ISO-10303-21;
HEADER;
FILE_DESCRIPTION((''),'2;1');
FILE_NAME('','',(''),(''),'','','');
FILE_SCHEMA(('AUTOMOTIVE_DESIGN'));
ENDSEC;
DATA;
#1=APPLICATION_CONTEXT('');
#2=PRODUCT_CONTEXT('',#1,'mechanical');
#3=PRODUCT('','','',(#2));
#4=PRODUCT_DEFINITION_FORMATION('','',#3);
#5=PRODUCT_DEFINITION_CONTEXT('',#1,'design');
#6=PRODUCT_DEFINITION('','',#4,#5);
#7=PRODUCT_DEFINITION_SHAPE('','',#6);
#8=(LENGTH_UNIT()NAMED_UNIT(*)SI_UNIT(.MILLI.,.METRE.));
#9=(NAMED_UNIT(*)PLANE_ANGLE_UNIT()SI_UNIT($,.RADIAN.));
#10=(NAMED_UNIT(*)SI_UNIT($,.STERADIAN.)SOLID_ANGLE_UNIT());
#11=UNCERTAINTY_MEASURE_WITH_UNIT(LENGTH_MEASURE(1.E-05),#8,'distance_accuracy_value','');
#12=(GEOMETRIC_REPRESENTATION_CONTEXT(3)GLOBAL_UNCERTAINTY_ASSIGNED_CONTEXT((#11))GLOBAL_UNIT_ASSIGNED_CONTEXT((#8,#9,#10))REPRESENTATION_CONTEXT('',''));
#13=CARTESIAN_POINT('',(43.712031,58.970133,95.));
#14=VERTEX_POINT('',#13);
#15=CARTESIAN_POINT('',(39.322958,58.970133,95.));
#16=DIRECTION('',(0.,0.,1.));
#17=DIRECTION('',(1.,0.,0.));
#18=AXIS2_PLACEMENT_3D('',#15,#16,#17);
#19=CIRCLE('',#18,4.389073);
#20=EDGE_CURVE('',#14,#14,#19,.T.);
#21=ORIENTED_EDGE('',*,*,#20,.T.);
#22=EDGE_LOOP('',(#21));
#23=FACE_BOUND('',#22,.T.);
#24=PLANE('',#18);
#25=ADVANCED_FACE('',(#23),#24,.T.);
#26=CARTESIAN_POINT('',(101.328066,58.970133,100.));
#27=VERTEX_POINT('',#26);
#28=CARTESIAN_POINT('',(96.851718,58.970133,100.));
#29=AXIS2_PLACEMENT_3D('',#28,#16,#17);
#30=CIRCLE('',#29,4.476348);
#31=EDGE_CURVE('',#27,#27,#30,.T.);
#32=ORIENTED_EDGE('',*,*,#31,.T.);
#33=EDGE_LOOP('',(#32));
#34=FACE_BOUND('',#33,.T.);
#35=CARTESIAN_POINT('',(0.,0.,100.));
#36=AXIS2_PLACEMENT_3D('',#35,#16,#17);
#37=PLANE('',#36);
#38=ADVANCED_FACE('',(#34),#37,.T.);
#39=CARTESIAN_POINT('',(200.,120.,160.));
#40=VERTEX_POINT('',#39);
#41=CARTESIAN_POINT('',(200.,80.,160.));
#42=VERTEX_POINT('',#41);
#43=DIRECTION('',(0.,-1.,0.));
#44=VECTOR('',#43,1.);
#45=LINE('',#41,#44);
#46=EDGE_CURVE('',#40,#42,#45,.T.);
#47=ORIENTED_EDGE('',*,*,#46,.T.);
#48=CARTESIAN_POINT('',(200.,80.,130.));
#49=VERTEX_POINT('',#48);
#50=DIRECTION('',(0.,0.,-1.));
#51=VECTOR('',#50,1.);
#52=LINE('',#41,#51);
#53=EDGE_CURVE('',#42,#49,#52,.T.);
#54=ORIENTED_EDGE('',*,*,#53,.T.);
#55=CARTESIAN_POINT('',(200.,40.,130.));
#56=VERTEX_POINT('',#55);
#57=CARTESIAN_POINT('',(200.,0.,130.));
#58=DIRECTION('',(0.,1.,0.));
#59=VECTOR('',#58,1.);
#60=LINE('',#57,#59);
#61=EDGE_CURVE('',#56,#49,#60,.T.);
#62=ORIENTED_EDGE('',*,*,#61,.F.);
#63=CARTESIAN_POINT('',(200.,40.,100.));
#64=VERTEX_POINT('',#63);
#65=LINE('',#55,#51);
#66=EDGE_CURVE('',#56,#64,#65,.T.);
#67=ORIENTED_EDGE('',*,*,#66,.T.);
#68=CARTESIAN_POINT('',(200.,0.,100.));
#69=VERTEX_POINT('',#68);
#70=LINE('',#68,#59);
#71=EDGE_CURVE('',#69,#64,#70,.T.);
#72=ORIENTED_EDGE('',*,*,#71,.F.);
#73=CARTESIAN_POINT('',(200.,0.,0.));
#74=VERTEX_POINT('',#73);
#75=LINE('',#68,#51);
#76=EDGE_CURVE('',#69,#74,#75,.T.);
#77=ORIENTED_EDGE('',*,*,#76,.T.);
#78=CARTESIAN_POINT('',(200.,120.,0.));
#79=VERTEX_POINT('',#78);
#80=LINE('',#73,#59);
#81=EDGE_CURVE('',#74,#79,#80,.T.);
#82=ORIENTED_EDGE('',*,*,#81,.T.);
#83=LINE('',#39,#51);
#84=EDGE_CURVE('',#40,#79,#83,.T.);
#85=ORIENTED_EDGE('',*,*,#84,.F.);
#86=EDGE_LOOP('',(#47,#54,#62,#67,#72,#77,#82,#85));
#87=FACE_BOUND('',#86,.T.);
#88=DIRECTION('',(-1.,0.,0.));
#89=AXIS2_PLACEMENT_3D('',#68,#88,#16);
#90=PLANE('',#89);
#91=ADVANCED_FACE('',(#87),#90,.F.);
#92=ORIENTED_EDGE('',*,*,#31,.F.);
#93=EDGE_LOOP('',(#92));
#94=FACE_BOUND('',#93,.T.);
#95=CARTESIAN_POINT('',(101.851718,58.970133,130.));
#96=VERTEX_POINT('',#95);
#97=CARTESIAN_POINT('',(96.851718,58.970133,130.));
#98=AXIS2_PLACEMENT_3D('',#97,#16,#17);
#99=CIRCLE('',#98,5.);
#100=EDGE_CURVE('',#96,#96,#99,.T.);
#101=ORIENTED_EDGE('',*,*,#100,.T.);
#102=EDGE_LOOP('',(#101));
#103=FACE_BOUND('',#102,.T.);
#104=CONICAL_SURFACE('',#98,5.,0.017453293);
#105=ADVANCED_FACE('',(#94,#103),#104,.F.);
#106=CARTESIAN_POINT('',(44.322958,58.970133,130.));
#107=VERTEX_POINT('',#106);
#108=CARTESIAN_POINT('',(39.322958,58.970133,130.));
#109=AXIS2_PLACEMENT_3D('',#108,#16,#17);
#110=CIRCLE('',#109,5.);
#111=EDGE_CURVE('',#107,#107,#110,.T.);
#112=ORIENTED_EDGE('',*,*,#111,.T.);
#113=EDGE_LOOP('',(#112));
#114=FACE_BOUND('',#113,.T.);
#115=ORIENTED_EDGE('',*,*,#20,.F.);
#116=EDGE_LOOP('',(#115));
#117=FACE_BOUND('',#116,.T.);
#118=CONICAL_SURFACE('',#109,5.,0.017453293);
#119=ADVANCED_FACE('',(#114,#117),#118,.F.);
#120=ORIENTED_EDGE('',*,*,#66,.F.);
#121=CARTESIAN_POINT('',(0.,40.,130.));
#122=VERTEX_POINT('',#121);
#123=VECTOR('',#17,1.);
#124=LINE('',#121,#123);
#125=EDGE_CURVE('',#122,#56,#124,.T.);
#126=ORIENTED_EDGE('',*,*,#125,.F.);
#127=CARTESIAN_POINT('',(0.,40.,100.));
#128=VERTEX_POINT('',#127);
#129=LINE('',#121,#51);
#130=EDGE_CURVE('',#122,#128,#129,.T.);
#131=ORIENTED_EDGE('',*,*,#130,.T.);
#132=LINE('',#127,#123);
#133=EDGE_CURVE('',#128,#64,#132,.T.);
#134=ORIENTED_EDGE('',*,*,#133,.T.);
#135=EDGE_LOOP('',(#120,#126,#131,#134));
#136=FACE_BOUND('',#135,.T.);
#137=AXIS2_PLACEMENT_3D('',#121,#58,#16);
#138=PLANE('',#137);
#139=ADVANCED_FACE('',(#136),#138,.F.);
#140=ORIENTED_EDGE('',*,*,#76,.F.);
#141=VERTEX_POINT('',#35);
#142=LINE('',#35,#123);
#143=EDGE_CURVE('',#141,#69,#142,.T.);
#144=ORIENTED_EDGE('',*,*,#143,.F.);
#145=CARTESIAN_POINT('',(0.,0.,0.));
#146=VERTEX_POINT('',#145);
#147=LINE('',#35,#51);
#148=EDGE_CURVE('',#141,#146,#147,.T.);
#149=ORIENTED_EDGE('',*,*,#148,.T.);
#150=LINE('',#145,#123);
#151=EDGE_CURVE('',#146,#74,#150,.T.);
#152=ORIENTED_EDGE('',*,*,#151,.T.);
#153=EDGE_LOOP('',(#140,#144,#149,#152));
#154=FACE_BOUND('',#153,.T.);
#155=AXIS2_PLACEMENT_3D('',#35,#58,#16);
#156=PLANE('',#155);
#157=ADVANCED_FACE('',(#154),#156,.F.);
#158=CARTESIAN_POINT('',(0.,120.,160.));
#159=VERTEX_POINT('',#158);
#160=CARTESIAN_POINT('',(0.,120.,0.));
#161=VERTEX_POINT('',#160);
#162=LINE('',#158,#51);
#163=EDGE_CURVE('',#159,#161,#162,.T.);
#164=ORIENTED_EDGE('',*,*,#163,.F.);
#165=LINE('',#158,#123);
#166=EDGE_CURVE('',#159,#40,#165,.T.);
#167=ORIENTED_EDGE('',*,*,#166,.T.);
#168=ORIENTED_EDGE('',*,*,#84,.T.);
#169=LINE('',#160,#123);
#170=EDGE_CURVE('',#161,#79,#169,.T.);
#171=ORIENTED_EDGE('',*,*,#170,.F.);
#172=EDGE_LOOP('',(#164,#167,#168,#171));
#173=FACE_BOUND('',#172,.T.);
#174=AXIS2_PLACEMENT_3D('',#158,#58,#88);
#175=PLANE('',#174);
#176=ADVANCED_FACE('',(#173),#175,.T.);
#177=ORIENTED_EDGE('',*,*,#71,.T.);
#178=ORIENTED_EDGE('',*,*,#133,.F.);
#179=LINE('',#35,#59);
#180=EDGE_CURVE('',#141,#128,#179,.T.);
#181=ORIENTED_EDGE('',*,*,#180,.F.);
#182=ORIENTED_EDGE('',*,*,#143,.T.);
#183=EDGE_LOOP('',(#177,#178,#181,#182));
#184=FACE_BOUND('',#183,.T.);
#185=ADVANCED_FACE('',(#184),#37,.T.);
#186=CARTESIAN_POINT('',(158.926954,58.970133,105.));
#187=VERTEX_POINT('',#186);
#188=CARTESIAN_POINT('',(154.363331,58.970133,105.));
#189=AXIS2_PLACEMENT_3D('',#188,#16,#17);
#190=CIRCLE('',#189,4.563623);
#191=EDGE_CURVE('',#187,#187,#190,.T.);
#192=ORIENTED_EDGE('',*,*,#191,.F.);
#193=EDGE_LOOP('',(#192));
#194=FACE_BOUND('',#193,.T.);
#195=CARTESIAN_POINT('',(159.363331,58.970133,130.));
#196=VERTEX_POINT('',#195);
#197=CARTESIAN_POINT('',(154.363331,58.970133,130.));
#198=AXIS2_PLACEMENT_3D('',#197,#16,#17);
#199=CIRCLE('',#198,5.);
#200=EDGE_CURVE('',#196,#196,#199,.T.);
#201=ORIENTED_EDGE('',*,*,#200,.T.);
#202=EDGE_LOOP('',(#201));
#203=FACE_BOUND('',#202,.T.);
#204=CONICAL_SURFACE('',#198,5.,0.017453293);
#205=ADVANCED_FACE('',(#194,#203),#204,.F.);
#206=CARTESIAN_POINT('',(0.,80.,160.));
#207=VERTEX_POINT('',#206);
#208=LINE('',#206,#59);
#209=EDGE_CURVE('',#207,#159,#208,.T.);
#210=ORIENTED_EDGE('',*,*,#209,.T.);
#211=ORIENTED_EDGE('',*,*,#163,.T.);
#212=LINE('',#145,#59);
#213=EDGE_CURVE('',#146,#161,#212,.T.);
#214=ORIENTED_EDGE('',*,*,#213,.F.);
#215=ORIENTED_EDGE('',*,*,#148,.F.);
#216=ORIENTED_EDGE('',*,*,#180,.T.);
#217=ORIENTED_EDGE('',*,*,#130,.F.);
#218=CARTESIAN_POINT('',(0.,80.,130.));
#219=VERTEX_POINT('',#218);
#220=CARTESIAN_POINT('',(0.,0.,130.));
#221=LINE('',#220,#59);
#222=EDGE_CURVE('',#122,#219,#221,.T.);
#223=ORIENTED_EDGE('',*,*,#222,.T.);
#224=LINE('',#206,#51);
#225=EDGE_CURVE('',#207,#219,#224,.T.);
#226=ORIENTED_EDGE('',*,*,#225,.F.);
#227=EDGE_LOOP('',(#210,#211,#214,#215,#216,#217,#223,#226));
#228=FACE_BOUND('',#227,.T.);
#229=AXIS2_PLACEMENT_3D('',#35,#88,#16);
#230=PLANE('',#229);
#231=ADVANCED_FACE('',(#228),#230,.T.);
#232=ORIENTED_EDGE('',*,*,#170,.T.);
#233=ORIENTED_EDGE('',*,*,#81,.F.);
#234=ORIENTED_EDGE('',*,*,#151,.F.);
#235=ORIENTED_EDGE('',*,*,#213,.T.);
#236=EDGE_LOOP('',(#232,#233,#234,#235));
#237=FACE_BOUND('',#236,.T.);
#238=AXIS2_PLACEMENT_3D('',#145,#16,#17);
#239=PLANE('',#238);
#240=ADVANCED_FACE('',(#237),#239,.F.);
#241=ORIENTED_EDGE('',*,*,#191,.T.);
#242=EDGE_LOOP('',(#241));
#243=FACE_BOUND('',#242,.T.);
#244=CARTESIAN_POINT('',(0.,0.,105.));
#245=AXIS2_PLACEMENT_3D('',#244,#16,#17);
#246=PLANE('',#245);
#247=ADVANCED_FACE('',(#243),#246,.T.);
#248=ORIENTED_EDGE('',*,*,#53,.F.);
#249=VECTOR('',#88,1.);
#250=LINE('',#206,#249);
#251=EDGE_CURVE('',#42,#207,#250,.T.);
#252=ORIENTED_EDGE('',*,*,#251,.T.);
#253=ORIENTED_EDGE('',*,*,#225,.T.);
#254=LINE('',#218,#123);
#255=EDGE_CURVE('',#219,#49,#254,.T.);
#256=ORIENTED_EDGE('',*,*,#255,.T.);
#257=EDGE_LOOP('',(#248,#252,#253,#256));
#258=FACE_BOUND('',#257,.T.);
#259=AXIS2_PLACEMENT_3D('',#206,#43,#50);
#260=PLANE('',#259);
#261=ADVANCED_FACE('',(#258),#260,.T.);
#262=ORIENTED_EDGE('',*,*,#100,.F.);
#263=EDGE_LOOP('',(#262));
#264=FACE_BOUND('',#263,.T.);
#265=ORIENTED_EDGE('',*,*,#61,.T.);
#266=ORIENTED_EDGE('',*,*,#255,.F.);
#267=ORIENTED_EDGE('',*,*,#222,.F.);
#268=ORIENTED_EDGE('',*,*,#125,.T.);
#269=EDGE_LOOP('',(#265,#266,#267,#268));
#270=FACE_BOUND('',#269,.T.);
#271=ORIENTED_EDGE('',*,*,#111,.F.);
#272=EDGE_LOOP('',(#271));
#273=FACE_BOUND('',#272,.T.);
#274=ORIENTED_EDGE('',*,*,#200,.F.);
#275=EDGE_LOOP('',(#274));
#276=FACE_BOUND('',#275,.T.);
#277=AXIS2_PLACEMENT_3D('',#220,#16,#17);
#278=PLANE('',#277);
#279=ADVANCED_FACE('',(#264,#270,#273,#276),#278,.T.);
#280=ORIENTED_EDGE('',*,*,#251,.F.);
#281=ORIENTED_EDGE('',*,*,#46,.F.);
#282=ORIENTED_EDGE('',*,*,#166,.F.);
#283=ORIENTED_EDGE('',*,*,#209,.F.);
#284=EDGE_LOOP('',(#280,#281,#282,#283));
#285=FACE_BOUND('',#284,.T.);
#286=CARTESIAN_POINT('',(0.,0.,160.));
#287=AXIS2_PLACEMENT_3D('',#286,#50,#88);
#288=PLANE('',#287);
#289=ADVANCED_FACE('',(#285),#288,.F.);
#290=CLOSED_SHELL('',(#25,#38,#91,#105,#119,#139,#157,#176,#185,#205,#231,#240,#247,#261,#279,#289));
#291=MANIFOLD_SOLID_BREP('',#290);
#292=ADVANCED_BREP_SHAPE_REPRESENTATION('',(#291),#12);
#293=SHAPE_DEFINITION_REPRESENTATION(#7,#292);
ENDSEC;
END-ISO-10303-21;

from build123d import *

# Parameters (mm, degrees)
SKETCH_1_W          = 200
SKETCH_1_H          = 40
EXTRUDE_1_DEPTH     = 100
SKETCH_1_3_W        = 200
SKETCH_1_3_H        = 40
EXTRUDE_2_DEPTH     = 130
SKETCH_9_R          = 5
CUT_EXTRUDE_4_DEPTH = 35
CUT_EXTRUDE_4_DRAFT = -1
SKETCH_9_3_R        = 5
CUT_EXTRUDE_5_DEPTH = 25
CUT_EXTRUDE_5_DRAFT = -1
SKETCH_9_4_R        = 5
CUT_EXTRUDE_6_DEPTH = 30
CUT_EXTRUDE_6_DRAFT = -1
SKETCH_10_W         = 200
SKETCH_10_H         = 40
EXTRUDE_3_DEPTH     = 160


with BuildPart() as part:
    # Эскиз1 → Бобышка-Вытянуть1 (new body)
    with BuildSketch(Plane.XY):
        with Locations((100, 20)):
            Rectangle(SKETCH_1_W, SKETCH_1_H)
    extrude(amount=EXTRUDE_1_DEPTH)

    # Эскиз1<3> → Бобышка-Вытянуть2 (add)
    with BuildSketch(Plane.XY):
        with Locations((100, 60)):
            Rectangle(SKETCH_1_3_W, SKETCH_1_3_H)
    extrude(amount=EXTRUDE_2_DEPTH)


with BuildPart() as cut_extrude_4_tool:
    # Эскиз9 → Вырез-Вытянуть4 (with draft: the straight prism first)
    with BuildSketch(Plane(origin=(-3.148281851, 38.970132862, 130), x_dir=(1, 0, 0), z_dir=(0, 0, 1))):
        with Locations((42.471240213, 20)):
            Circle(SKETCH_9_R)
    extrude(amount=-CUT_EXTRUDE_4_DEPTH)
    # Вырез-Вытянуть4: the draft: its side faces are tilted about the plane it starts from
    cut_extrude_4_sides = [cut_extrude_4_tool.faces().sort_by_distance(p)[0] for p in [
        (34.322958362, 58.970132862, 112.5),
    ]]
    draft(cut_extrude_4_sides, Plane(origin=(-3.148281851, 38.970132862, 130), x_dir=(1, 0, 0), z_dir=(0, 0, 1)), CUT_EXTRUDE_4_DRAFT)


with BuildPart() as part_1:
    add(part.part)

    # Вырез-Вытянуть4: cut by cut_extrude_4_tool
    add(cut_extrude_4_tool.part, mode=Mode.SUBTRACT)


with BuildPart() as cut_extrude_5_tool:
    # Эскиз9<3> → Вырез-Вытянуть5 (with draft: the straight prism first)
    with BuildSketch(Plane(origin=(-3.148281851, 38.970132862, 130), x_dir=(1, 0, 0), z_dir=(0, 0, 1))):
        with Locations((157.511612736, 20)):
            Circle(SKETCH_9_3_R)
    extrude(amount=-CUT_EXTRUDE_5_DEPTH)
    # Вырез-Вытянуть5: the draft: its side faces are tilted about the plane it starts from
    cut_extrude_5_sides = [cut_extrude_5_tool.faces().sort_by_distance(p)[0] for p in [
        (149.363330884, 58.970132862, 117.5),
    ]]
    draft(cut_extrude_5_sides, Plane(origin=(-3.148281851, 38.970132862, 130), x_dir=(1, 0, 0), z_dir=(0, 0, 1)), CUT_EXTRUDE_5_DRAFT)


with BuildPart() as part_2:
    add(part_1.part)

    # Вырез-Вытянуть5: cut by cut_extrude_5_tool
    add(cut_extrude_5_tool.part, mode=Mode.SUBTRACT)


with BuildPart() as cut_extrude_6_tool:
    # Эскиз9<4> → Вырез-Вытянуть6 (with draft: the straight prism first)
    with BuildSketch(Plane(origin=(-3.148281851, 38.970132862, 130), x_dir=(1, 0, 0), z_dir=(0, 0, 1))):
        with Locations((100, 20)):
            Circle(SKETCH_9_4_R)
    extrude(amount=-CUT_EXTRUDE_6_DEPTH)
    # Вырез-Вытянуть6: the draft: its side faces are tilted about the plane it starts from
    cut_extrude_6_sides = [cut_extrude_6_tool.faces().sort_by_distance(p)[0] for p in [
        (91.851718149, 58.970132862, 115),
    ]]
    draft(cut_extrude_6_sides, Plane(origin=(-3.148281851, 38.970132862, 130), x_dir=(1, 0, 0), z_dir=(0, 0, 1)), CUT_EXTRUDE_6_DRAFT)


with BuildPart() as part_3:
    add(part_2.part)

    # Вырез-Вытянуть6: cut by cut_extrude_6_tool
    add(cut_extrude_6_tool.part, mode=Mode.SUBTRACT)

    # Эскиз10 → Бобышка-Вытянуть3 (add)
    with BuildSketch(Plane(origin=(0, 0, 0), x_dir=(-1, 0, 0), z_dir=(0, 0, -1))):
        with Locations((-100, 100)):
            Rectangle(SKETCH_10_W, SKETCH_10_H)
    extrude(amount=-EXTRUDE_3_DEPTH)


solid = part_3.part
